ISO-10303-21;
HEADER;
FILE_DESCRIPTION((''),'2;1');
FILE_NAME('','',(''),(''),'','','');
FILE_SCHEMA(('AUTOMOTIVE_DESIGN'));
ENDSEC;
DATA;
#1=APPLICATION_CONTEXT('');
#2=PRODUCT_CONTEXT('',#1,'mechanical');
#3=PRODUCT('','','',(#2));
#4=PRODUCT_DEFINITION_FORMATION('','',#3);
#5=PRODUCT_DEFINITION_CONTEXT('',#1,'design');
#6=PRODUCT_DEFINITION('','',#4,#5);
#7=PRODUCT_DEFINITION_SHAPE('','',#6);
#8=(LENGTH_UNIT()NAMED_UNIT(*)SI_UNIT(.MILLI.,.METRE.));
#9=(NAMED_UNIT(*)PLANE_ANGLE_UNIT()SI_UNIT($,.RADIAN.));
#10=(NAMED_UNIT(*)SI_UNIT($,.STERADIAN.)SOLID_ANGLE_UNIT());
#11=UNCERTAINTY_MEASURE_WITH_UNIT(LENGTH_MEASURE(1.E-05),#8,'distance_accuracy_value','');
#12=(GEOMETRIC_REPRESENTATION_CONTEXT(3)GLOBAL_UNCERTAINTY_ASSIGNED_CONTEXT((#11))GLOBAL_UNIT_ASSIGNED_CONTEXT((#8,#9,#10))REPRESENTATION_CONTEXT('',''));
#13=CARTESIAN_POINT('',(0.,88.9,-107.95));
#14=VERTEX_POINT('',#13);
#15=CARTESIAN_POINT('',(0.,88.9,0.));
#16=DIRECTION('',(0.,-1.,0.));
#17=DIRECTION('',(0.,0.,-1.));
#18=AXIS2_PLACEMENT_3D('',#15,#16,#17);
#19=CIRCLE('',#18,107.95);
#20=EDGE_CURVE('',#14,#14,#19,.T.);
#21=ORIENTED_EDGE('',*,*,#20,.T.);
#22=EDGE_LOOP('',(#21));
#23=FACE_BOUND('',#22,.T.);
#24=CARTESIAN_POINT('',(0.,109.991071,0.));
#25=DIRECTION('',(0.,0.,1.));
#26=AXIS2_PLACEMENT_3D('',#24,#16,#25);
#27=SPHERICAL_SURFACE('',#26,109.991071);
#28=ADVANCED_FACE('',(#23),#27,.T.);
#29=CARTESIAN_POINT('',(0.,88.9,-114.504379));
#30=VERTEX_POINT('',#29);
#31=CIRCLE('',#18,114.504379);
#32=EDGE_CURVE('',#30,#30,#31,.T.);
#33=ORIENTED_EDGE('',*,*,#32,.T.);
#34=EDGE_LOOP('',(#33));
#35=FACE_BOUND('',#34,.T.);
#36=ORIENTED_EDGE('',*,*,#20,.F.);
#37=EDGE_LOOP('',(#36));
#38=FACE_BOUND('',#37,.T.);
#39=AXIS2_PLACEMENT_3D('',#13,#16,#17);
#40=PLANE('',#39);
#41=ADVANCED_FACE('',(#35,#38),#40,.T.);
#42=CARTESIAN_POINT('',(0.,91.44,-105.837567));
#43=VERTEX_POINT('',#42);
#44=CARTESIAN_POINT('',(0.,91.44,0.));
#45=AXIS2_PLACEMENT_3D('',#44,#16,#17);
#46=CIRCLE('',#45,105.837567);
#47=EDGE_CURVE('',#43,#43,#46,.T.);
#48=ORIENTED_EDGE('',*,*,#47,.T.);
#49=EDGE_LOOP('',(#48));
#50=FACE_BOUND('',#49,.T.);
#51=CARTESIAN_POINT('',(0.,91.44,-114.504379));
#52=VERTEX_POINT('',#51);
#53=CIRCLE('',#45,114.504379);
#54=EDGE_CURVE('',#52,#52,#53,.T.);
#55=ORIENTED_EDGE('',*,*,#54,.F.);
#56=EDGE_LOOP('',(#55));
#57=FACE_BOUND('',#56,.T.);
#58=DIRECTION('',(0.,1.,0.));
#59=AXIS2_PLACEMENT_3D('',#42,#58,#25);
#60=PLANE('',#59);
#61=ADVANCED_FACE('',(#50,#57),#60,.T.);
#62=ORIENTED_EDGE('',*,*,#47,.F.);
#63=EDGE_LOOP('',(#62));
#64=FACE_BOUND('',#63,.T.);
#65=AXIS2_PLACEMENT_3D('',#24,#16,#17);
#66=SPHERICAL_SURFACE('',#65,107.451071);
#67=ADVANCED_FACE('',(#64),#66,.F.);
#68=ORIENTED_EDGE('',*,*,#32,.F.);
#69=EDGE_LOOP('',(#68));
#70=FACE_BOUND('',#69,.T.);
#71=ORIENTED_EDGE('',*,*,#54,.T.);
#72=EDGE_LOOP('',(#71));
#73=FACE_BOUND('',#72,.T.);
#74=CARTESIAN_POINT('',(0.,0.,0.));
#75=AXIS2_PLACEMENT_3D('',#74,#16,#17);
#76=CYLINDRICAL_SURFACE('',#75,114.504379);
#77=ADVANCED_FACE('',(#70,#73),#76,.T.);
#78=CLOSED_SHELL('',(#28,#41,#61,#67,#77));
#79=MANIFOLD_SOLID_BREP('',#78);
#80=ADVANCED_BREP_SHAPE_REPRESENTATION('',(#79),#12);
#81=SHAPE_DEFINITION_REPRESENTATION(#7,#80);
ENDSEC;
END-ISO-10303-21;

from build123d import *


with BuildPart() as part:
    # Croquis1 → Revolución2 (revolve)
    with BuildSketch(Plane(origin=(0, 0, 0), x_dir=(0, 0, -1), z_dir=(1, 0, 0))):
        with BuildLine():
            Line((107.95, 88.9), (114.504378868, 88.9))
            Line((114.504378868, 88.9), (114.504378868, 91.44))
            Line((114.504378868, 91.44), (105.837566582, 91.44))
            ThreePointArc((105.837566582, 91.44), (69.11005806, 27.713901897), (0, 2.54))
            Line((0, 2.54), (0, 0))
            ThreePointArc((0, 0), (69.922121857, 25.085637745), (107.95, 88.9))
        make_face()
    revolve(axis=Axis((0, 0, 0), (0, 1, 0)))


solid = part.part
